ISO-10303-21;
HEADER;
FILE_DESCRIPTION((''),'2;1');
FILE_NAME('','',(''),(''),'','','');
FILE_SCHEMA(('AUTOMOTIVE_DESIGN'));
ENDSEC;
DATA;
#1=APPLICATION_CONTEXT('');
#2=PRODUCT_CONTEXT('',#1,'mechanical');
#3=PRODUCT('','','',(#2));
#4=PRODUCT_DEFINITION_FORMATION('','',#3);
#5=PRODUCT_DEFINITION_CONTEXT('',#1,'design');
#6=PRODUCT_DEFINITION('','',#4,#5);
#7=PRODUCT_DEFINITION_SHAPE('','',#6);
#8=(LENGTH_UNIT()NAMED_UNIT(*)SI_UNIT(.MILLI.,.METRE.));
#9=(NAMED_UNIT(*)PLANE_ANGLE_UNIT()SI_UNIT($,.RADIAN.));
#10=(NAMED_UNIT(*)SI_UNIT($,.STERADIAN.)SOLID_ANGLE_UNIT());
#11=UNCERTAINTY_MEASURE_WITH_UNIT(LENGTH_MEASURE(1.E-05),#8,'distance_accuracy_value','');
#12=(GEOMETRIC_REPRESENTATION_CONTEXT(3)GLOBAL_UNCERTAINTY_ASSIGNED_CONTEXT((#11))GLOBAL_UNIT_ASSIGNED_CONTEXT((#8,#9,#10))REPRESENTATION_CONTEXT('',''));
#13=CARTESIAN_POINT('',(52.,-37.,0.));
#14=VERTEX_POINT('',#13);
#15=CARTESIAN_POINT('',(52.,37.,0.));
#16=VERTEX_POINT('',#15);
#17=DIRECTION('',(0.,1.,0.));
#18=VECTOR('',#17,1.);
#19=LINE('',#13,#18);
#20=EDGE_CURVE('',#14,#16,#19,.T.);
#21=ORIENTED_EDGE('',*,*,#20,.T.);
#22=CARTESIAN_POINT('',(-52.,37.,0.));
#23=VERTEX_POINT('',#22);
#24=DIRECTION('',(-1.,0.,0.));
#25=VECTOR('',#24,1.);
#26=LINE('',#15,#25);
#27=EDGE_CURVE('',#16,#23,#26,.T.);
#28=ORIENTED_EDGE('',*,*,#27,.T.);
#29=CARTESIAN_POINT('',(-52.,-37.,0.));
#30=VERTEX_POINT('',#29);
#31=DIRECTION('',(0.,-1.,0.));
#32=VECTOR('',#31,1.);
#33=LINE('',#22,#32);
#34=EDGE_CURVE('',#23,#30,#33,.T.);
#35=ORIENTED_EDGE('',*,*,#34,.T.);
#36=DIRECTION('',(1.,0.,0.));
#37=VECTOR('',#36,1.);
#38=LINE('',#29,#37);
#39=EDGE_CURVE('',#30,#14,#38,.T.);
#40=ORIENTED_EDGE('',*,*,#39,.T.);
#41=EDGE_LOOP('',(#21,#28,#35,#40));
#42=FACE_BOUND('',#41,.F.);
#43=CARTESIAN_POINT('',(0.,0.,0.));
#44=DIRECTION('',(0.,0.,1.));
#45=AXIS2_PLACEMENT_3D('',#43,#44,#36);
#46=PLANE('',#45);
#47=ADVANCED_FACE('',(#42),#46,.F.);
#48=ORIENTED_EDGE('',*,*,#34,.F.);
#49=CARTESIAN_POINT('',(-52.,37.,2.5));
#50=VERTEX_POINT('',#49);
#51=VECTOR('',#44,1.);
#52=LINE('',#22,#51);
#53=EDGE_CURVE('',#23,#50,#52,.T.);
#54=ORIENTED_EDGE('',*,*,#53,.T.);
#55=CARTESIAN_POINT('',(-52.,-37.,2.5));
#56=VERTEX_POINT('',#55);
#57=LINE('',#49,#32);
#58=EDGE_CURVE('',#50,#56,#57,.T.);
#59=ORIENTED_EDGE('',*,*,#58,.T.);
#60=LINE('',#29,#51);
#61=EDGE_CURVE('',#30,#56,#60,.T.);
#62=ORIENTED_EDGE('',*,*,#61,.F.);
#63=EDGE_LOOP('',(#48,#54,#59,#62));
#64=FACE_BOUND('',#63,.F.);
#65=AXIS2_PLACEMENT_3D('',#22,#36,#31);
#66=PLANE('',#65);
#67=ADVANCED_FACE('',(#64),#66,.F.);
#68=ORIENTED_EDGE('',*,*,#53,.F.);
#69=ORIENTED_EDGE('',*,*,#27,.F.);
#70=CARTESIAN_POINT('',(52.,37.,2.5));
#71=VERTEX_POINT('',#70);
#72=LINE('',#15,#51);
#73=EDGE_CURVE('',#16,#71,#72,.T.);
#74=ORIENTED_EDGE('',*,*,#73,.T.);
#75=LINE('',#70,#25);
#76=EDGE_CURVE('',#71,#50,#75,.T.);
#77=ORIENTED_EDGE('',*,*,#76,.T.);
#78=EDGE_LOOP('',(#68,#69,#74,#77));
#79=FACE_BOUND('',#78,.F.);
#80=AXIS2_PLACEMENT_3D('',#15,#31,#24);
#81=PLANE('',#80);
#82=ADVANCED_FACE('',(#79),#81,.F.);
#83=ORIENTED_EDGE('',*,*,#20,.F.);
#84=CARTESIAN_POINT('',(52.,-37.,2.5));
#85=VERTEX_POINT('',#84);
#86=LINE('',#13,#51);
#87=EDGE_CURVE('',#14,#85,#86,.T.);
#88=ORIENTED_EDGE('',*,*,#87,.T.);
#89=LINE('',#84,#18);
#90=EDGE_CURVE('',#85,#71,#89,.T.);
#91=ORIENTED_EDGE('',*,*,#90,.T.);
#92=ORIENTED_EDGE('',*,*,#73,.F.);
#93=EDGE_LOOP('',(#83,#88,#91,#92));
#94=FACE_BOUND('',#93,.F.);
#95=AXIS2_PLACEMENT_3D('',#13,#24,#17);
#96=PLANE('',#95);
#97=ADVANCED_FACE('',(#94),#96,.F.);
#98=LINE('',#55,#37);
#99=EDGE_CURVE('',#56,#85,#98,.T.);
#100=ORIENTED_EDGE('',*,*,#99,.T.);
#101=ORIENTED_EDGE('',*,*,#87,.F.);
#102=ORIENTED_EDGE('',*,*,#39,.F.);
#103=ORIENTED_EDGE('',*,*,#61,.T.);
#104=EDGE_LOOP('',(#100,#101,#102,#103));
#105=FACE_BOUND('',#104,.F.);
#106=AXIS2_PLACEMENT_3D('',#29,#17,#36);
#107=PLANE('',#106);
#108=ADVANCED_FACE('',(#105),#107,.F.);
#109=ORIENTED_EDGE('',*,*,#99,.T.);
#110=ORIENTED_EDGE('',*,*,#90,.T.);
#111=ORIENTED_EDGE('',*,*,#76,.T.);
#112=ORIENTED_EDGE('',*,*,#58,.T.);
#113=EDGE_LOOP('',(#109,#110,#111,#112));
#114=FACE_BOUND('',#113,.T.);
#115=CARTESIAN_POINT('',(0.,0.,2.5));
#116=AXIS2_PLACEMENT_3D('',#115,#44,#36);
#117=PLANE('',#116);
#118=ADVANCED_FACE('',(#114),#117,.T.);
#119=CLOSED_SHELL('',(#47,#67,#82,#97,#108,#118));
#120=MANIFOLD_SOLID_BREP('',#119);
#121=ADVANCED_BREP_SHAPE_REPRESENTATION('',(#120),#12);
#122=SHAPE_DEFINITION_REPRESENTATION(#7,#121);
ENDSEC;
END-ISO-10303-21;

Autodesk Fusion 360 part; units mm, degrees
sketch "Sketch1" plane through (0, 0, 0) normal (0, 0, 1) x (1, 0, 0)
  line L0 (50, 35) -> (-50, 35)
  line L1 (-50, 35) -> (-50, -35)
  line L2 (-50, -35) -> (50, -35)
  line L3 (50, -35) -> (50, 35)
  line L4 (50, 35) -> (-50, -35) construction
  line L5 (-50, 35) -> (50, -35) construction
  line L6 (-52, -37) -> (52, -37)
  line L7 (52, -37) -> (52, 37)
  line L8 (52, 37) -> (-52, 37)
  line L9 (-52, 37) -> (-52, -37)
  dimension "d1" = 100
  dimension "d2" = 70
  dimension "d3" = 2
extrude "Extrude1" add sketch "Sketch1" along normal blind 2.5 contours L0 L1 L2 L3 | L6 L7 L8 L9
